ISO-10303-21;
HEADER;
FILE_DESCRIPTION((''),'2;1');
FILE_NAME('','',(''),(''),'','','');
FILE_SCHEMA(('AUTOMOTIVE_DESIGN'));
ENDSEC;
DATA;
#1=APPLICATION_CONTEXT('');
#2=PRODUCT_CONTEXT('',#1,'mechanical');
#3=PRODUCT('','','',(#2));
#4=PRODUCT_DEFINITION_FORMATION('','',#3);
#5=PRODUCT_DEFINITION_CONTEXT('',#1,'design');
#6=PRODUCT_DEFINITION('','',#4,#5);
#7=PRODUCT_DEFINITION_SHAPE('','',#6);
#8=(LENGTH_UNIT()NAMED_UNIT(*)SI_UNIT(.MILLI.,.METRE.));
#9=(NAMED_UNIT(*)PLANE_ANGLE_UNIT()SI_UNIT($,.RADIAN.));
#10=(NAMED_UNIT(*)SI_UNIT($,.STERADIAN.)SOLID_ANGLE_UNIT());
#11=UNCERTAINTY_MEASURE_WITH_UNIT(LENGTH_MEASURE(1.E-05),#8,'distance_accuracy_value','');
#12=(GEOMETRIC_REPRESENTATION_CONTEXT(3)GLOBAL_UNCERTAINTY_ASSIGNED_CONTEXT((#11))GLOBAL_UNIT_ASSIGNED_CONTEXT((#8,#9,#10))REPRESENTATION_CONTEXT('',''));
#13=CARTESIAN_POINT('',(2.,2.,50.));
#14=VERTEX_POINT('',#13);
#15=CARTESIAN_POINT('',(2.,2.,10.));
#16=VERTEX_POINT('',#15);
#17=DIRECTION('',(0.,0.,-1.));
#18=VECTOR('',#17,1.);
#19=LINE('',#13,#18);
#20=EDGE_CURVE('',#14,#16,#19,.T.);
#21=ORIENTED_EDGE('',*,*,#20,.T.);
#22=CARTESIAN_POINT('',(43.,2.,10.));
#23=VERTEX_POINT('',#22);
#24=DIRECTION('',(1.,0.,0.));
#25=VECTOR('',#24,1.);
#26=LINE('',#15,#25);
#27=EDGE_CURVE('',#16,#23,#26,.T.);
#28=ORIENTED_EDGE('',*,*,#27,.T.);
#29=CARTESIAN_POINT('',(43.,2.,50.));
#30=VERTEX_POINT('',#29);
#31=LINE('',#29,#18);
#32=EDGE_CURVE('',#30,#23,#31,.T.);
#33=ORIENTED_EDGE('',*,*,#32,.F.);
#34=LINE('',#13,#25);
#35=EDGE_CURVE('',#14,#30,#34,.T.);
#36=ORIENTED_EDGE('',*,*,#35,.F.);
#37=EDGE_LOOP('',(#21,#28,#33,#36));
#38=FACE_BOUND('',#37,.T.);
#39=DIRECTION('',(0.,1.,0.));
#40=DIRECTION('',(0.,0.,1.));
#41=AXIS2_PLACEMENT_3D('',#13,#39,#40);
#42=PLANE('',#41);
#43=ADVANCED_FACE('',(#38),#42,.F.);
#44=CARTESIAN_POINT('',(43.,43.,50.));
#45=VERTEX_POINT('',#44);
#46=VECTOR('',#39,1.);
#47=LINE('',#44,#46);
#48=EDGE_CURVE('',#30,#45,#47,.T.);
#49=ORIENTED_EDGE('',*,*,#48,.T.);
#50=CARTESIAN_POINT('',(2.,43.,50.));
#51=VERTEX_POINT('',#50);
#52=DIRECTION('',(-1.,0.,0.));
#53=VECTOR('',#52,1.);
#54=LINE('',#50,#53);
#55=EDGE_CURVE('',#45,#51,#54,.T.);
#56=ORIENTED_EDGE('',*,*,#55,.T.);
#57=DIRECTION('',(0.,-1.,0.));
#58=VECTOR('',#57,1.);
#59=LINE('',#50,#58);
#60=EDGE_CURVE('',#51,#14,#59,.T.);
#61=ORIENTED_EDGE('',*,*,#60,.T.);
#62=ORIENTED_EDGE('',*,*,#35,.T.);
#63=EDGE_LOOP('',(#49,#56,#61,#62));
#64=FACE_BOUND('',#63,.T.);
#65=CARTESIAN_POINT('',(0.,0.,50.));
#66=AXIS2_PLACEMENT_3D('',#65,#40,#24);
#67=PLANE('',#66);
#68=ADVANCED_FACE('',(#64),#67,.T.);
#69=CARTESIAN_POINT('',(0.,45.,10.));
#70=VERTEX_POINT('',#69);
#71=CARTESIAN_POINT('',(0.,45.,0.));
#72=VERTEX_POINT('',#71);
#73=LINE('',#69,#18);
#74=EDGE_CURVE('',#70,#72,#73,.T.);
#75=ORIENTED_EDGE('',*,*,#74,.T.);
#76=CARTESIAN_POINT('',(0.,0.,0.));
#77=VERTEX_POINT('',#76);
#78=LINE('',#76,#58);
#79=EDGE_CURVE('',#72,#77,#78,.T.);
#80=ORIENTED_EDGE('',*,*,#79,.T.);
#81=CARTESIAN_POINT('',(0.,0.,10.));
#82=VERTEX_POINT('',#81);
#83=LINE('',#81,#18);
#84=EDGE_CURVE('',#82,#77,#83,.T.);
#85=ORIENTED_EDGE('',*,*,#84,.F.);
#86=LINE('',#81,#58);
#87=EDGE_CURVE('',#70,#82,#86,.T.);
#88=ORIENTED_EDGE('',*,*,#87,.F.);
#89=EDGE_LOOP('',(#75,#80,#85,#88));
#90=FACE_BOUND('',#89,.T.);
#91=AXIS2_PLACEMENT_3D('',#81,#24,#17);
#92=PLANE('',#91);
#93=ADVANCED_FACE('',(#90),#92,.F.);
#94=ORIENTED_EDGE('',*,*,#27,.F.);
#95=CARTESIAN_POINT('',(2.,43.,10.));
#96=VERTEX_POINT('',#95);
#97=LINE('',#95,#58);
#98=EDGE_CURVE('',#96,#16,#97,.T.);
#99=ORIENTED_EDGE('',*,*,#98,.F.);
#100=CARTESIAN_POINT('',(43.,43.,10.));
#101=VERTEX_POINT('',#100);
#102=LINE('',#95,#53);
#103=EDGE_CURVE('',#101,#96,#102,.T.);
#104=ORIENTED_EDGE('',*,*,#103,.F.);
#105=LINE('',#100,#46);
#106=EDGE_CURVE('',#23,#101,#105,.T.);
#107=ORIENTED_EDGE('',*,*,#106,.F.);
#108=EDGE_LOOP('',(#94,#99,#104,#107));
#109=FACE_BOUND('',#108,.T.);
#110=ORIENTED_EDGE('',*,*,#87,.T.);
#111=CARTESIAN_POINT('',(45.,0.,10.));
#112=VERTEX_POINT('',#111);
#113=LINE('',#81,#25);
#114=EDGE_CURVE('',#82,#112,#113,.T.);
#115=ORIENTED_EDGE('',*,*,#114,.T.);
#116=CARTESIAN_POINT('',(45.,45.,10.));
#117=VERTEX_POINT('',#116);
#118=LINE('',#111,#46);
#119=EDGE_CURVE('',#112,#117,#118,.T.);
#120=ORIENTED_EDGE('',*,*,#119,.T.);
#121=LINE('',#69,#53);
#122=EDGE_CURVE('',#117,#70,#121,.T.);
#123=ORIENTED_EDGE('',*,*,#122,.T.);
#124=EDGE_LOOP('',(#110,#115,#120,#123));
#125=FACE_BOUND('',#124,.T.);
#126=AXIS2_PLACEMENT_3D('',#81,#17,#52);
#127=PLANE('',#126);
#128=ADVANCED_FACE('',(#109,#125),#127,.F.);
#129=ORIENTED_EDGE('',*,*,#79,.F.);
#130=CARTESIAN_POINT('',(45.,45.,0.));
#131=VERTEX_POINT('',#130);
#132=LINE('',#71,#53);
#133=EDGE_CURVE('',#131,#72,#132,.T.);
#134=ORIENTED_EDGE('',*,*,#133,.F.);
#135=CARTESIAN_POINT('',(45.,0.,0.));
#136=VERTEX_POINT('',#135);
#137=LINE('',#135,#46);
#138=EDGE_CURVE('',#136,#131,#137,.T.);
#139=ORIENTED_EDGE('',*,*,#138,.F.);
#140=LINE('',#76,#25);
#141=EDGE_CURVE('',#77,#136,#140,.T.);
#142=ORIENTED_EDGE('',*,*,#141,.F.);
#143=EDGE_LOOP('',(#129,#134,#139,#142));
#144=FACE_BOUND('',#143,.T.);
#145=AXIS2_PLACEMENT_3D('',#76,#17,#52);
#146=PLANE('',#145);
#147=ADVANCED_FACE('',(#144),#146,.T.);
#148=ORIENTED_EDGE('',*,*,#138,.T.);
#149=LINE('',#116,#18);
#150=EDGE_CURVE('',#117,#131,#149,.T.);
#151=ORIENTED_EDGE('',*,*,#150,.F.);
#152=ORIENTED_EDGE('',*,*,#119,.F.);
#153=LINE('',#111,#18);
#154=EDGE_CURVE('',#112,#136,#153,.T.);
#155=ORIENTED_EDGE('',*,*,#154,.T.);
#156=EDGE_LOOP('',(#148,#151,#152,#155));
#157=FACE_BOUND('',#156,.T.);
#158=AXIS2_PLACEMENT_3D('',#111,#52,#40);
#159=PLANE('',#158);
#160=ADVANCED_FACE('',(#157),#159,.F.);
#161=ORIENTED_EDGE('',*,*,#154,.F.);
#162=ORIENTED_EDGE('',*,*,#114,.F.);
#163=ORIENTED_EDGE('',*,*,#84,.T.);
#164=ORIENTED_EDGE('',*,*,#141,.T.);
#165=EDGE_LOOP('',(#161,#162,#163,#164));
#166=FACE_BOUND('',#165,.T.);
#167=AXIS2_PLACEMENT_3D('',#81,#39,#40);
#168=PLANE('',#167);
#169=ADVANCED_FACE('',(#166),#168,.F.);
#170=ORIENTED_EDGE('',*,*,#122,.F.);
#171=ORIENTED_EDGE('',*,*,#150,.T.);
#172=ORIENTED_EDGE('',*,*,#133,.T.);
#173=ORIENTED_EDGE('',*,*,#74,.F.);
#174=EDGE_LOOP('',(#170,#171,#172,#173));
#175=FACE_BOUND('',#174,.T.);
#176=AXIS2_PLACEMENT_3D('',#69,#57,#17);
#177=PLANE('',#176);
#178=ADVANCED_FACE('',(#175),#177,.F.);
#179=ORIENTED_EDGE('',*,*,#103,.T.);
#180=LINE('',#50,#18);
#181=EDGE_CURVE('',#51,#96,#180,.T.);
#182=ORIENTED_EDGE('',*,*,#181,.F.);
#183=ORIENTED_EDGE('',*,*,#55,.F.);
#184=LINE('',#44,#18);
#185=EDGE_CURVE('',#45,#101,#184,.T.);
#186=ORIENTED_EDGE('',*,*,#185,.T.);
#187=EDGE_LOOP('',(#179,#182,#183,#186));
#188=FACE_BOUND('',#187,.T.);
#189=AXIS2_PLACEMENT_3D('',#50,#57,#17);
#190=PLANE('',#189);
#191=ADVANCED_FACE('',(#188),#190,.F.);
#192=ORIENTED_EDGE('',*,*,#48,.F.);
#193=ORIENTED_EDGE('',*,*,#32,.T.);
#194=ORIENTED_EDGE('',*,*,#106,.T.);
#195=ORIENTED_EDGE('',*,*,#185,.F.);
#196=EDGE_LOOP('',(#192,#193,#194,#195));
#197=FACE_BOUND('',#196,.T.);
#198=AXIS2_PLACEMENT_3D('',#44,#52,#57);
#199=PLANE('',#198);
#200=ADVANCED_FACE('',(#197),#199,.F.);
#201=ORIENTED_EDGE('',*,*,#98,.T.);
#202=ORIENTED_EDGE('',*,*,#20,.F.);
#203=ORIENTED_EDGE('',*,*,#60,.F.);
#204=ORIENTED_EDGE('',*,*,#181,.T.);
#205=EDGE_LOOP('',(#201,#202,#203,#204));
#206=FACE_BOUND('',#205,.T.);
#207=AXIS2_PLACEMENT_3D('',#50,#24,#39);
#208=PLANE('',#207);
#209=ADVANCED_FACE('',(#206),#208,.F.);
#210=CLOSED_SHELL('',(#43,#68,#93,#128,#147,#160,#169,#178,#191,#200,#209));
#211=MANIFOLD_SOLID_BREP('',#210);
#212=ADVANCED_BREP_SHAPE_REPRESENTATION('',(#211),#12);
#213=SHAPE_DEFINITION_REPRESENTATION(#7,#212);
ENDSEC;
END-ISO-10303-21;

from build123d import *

# Parameters (mm, degrees)
CROQUIS1_W              = 45
CROQUIS1_H              = 45
SALIENTE_EXTRUIR1_DEPTH = 10
CROQUIS2_W              = 41
CROQUIS2_H              = 41
SALIENTE_EXTRUIR2_DEPTH = 40


with BuildPart() as part:
    # Croquis1 → Saliente-Extruir1 (new body)
    with BuildSketch(Plane.XY):
        with Locations((22.5, 22.5)):
            Rectangle(CROQUIS1_W, CROQUIS1_H)
    extrude(amount=SALIENTE_EXTRUIR1_DEPTH)

    # Croquis2 → Saliente-Extruir2 (add)
    with BuildSketch(Plane.XY.offset(10)):
        with Locations((22.5, 22.5)):
            Rectangle(CROQUIS2_W, CROQUIS2_H)
    extrude(amount=SALIENTE_EXTRUIR2_DEPTH)


solid = part.part
